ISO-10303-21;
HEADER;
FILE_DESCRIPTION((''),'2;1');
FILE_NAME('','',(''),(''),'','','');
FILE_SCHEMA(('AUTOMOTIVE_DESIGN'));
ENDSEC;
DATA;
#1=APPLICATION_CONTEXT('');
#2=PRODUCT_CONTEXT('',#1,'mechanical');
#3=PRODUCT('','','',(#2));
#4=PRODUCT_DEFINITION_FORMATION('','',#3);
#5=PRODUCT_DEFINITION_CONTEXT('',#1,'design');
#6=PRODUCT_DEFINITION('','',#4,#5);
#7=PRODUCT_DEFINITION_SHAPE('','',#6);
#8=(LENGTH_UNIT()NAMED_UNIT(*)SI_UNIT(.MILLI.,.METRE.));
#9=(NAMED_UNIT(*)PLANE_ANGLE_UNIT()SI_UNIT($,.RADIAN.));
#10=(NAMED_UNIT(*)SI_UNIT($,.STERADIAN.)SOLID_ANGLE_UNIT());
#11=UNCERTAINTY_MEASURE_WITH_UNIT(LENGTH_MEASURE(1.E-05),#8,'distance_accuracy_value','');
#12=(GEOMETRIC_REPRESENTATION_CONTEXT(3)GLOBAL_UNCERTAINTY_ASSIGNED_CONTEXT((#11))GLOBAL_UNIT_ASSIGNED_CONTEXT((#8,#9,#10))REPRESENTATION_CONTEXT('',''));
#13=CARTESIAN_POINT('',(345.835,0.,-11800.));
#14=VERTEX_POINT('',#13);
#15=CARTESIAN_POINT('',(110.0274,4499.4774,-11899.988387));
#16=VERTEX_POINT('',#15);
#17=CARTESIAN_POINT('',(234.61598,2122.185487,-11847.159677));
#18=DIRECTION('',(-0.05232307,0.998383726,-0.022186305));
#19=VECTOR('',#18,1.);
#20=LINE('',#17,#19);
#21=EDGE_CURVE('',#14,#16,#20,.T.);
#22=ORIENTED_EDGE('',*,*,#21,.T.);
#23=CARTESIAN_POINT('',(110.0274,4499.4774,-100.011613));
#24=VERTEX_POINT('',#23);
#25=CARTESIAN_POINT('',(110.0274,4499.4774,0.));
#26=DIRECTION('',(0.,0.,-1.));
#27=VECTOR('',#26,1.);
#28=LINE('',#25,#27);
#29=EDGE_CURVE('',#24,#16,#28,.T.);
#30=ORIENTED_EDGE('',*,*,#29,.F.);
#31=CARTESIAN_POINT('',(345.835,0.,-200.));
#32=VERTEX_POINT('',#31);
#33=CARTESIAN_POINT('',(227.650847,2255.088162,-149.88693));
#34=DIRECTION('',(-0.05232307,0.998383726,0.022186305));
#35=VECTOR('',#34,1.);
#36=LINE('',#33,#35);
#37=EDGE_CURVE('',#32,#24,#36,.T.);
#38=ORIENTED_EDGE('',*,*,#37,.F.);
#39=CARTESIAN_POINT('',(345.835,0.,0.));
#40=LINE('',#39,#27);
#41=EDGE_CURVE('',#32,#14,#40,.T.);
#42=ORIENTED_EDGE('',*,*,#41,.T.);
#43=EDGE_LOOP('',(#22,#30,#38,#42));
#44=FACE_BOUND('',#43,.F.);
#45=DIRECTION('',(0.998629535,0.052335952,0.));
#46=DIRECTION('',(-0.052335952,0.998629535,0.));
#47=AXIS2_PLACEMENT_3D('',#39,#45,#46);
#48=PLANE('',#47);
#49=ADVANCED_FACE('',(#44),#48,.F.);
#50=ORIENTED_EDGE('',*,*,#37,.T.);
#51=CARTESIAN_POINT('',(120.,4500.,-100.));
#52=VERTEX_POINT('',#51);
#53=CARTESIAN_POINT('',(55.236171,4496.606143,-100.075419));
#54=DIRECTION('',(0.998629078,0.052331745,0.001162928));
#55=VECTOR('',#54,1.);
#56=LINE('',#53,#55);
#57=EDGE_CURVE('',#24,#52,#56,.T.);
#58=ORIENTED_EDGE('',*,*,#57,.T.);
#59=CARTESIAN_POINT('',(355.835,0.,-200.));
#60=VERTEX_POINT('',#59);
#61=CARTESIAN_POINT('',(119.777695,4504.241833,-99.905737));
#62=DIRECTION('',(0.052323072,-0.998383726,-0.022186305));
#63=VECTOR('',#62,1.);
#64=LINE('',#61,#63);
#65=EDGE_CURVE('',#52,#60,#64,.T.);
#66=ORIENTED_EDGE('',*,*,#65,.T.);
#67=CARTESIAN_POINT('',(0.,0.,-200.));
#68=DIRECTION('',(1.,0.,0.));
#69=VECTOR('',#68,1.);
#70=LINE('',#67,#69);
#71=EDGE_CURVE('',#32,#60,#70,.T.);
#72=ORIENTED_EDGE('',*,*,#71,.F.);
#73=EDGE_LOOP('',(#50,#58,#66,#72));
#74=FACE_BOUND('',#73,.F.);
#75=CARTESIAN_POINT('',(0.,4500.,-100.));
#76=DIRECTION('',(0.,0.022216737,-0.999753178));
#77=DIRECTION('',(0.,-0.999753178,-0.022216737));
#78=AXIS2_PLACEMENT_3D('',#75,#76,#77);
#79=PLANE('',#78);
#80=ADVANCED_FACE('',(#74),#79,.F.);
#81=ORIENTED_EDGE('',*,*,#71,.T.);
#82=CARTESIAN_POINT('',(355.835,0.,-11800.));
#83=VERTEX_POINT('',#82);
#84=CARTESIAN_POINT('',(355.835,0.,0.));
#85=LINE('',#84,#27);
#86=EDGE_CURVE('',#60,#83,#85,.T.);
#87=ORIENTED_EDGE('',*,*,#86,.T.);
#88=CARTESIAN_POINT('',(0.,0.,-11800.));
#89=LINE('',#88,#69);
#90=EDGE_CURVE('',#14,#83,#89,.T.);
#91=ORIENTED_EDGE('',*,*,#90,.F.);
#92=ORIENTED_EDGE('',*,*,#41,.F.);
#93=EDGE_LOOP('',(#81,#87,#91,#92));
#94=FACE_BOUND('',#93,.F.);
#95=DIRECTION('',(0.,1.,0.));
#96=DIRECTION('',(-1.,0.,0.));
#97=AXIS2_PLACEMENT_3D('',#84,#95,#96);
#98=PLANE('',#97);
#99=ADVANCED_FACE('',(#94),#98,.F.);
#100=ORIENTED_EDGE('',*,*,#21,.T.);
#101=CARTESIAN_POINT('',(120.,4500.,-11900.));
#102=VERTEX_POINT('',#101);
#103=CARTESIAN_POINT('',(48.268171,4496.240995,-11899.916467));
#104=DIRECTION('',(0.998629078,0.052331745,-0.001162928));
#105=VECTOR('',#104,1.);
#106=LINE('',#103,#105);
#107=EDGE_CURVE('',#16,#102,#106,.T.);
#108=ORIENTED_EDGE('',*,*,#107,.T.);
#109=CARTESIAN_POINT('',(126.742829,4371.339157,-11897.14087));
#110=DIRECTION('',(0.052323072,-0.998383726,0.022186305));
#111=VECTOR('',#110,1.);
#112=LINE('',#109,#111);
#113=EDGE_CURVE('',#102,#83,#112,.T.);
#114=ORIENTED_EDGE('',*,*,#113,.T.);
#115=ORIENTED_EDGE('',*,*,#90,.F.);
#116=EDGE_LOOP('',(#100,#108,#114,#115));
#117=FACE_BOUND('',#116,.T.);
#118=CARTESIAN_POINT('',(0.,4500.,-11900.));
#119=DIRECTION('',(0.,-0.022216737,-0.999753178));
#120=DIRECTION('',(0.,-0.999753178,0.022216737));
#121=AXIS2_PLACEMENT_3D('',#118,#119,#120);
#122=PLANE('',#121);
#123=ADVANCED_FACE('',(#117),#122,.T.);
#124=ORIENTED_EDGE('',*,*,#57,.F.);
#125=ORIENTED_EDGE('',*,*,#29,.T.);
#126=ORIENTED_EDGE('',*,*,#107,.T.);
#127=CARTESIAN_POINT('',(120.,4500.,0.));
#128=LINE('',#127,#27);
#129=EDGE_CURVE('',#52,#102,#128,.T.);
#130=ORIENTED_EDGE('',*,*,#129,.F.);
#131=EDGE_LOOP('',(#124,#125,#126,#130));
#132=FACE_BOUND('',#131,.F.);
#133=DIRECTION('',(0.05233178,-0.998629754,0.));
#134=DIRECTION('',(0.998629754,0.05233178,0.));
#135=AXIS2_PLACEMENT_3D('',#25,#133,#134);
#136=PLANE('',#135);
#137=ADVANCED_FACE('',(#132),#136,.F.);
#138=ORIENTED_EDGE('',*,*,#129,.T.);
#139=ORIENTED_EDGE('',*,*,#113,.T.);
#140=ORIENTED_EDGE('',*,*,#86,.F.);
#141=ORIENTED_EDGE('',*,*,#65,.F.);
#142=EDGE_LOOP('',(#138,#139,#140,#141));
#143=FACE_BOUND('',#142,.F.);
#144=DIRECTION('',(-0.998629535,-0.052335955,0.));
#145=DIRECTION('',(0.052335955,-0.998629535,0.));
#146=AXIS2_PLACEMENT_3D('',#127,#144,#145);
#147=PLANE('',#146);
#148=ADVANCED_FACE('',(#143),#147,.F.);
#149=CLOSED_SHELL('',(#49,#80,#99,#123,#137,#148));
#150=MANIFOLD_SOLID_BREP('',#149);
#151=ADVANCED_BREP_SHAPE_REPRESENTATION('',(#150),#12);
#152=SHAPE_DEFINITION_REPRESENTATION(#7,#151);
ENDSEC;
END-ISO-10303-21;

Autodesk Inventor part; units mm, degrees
ref_plane "YZ Plane" through (0, 0, 0) normal (1, 0, 0) x (0, 1, 0)
ref_plane "XZ Plane" through (0, 0, 0) normal (0, 1, 0) x (-1, 0, 0)
ref_plane "XY Plane" through (0, 0, 0) normal (0, 0, 1) x (1, 0, 0)
sketch "Sketch1" plane through (0, 0, 0) normal (0, 0, 1) x (1, 0, 0)
  line L0 (355.835, 0) -> (345.835, 0)
  line L1 (345.835, 0) -> (110.0274, 4499.4774)
  line L2 (110.0274, 4499.4774) -> (120, 4500)
  line L3 (120, 4500) -> (355.835, 0)
  line L4 (0, 4500) -> (0, 0)
  dimension "d0" = 10
  dimension "d1" = 87
  dimension "d2" = 4500
  dimension "d5" = 120
extrude "Extrusion1" add sketch "Sketch1" against normal blind 12000
sketch "Sketch2" plane through (0, 0, 0) normal (1, 0, 0) x (0, 1, 0)
  line L0 (0, 0) -> (4500, 0) projected
  line L1 (0, 0) -> (0, -12000) projected
  line L2 (4500, -12000) -> (0, -12000) projected
  line L3 (4500, 0) -> (4500, -12000) projected
  line L4 (4500, -100) -> (0, -200)
  line L5 (4500, -11900) -> (0, -11800)
  line L6 (4500, -6000) -> (0, -6000) construction
  dimension "d6" = 100
  dimension "d10" = 200
extrude "Extrusion2" cut sketch "Sketch2" along normal through all contours L0 L3 L4 L1 | L5 L3 L2 L1
properties part number "GBK dummy wall 4"
